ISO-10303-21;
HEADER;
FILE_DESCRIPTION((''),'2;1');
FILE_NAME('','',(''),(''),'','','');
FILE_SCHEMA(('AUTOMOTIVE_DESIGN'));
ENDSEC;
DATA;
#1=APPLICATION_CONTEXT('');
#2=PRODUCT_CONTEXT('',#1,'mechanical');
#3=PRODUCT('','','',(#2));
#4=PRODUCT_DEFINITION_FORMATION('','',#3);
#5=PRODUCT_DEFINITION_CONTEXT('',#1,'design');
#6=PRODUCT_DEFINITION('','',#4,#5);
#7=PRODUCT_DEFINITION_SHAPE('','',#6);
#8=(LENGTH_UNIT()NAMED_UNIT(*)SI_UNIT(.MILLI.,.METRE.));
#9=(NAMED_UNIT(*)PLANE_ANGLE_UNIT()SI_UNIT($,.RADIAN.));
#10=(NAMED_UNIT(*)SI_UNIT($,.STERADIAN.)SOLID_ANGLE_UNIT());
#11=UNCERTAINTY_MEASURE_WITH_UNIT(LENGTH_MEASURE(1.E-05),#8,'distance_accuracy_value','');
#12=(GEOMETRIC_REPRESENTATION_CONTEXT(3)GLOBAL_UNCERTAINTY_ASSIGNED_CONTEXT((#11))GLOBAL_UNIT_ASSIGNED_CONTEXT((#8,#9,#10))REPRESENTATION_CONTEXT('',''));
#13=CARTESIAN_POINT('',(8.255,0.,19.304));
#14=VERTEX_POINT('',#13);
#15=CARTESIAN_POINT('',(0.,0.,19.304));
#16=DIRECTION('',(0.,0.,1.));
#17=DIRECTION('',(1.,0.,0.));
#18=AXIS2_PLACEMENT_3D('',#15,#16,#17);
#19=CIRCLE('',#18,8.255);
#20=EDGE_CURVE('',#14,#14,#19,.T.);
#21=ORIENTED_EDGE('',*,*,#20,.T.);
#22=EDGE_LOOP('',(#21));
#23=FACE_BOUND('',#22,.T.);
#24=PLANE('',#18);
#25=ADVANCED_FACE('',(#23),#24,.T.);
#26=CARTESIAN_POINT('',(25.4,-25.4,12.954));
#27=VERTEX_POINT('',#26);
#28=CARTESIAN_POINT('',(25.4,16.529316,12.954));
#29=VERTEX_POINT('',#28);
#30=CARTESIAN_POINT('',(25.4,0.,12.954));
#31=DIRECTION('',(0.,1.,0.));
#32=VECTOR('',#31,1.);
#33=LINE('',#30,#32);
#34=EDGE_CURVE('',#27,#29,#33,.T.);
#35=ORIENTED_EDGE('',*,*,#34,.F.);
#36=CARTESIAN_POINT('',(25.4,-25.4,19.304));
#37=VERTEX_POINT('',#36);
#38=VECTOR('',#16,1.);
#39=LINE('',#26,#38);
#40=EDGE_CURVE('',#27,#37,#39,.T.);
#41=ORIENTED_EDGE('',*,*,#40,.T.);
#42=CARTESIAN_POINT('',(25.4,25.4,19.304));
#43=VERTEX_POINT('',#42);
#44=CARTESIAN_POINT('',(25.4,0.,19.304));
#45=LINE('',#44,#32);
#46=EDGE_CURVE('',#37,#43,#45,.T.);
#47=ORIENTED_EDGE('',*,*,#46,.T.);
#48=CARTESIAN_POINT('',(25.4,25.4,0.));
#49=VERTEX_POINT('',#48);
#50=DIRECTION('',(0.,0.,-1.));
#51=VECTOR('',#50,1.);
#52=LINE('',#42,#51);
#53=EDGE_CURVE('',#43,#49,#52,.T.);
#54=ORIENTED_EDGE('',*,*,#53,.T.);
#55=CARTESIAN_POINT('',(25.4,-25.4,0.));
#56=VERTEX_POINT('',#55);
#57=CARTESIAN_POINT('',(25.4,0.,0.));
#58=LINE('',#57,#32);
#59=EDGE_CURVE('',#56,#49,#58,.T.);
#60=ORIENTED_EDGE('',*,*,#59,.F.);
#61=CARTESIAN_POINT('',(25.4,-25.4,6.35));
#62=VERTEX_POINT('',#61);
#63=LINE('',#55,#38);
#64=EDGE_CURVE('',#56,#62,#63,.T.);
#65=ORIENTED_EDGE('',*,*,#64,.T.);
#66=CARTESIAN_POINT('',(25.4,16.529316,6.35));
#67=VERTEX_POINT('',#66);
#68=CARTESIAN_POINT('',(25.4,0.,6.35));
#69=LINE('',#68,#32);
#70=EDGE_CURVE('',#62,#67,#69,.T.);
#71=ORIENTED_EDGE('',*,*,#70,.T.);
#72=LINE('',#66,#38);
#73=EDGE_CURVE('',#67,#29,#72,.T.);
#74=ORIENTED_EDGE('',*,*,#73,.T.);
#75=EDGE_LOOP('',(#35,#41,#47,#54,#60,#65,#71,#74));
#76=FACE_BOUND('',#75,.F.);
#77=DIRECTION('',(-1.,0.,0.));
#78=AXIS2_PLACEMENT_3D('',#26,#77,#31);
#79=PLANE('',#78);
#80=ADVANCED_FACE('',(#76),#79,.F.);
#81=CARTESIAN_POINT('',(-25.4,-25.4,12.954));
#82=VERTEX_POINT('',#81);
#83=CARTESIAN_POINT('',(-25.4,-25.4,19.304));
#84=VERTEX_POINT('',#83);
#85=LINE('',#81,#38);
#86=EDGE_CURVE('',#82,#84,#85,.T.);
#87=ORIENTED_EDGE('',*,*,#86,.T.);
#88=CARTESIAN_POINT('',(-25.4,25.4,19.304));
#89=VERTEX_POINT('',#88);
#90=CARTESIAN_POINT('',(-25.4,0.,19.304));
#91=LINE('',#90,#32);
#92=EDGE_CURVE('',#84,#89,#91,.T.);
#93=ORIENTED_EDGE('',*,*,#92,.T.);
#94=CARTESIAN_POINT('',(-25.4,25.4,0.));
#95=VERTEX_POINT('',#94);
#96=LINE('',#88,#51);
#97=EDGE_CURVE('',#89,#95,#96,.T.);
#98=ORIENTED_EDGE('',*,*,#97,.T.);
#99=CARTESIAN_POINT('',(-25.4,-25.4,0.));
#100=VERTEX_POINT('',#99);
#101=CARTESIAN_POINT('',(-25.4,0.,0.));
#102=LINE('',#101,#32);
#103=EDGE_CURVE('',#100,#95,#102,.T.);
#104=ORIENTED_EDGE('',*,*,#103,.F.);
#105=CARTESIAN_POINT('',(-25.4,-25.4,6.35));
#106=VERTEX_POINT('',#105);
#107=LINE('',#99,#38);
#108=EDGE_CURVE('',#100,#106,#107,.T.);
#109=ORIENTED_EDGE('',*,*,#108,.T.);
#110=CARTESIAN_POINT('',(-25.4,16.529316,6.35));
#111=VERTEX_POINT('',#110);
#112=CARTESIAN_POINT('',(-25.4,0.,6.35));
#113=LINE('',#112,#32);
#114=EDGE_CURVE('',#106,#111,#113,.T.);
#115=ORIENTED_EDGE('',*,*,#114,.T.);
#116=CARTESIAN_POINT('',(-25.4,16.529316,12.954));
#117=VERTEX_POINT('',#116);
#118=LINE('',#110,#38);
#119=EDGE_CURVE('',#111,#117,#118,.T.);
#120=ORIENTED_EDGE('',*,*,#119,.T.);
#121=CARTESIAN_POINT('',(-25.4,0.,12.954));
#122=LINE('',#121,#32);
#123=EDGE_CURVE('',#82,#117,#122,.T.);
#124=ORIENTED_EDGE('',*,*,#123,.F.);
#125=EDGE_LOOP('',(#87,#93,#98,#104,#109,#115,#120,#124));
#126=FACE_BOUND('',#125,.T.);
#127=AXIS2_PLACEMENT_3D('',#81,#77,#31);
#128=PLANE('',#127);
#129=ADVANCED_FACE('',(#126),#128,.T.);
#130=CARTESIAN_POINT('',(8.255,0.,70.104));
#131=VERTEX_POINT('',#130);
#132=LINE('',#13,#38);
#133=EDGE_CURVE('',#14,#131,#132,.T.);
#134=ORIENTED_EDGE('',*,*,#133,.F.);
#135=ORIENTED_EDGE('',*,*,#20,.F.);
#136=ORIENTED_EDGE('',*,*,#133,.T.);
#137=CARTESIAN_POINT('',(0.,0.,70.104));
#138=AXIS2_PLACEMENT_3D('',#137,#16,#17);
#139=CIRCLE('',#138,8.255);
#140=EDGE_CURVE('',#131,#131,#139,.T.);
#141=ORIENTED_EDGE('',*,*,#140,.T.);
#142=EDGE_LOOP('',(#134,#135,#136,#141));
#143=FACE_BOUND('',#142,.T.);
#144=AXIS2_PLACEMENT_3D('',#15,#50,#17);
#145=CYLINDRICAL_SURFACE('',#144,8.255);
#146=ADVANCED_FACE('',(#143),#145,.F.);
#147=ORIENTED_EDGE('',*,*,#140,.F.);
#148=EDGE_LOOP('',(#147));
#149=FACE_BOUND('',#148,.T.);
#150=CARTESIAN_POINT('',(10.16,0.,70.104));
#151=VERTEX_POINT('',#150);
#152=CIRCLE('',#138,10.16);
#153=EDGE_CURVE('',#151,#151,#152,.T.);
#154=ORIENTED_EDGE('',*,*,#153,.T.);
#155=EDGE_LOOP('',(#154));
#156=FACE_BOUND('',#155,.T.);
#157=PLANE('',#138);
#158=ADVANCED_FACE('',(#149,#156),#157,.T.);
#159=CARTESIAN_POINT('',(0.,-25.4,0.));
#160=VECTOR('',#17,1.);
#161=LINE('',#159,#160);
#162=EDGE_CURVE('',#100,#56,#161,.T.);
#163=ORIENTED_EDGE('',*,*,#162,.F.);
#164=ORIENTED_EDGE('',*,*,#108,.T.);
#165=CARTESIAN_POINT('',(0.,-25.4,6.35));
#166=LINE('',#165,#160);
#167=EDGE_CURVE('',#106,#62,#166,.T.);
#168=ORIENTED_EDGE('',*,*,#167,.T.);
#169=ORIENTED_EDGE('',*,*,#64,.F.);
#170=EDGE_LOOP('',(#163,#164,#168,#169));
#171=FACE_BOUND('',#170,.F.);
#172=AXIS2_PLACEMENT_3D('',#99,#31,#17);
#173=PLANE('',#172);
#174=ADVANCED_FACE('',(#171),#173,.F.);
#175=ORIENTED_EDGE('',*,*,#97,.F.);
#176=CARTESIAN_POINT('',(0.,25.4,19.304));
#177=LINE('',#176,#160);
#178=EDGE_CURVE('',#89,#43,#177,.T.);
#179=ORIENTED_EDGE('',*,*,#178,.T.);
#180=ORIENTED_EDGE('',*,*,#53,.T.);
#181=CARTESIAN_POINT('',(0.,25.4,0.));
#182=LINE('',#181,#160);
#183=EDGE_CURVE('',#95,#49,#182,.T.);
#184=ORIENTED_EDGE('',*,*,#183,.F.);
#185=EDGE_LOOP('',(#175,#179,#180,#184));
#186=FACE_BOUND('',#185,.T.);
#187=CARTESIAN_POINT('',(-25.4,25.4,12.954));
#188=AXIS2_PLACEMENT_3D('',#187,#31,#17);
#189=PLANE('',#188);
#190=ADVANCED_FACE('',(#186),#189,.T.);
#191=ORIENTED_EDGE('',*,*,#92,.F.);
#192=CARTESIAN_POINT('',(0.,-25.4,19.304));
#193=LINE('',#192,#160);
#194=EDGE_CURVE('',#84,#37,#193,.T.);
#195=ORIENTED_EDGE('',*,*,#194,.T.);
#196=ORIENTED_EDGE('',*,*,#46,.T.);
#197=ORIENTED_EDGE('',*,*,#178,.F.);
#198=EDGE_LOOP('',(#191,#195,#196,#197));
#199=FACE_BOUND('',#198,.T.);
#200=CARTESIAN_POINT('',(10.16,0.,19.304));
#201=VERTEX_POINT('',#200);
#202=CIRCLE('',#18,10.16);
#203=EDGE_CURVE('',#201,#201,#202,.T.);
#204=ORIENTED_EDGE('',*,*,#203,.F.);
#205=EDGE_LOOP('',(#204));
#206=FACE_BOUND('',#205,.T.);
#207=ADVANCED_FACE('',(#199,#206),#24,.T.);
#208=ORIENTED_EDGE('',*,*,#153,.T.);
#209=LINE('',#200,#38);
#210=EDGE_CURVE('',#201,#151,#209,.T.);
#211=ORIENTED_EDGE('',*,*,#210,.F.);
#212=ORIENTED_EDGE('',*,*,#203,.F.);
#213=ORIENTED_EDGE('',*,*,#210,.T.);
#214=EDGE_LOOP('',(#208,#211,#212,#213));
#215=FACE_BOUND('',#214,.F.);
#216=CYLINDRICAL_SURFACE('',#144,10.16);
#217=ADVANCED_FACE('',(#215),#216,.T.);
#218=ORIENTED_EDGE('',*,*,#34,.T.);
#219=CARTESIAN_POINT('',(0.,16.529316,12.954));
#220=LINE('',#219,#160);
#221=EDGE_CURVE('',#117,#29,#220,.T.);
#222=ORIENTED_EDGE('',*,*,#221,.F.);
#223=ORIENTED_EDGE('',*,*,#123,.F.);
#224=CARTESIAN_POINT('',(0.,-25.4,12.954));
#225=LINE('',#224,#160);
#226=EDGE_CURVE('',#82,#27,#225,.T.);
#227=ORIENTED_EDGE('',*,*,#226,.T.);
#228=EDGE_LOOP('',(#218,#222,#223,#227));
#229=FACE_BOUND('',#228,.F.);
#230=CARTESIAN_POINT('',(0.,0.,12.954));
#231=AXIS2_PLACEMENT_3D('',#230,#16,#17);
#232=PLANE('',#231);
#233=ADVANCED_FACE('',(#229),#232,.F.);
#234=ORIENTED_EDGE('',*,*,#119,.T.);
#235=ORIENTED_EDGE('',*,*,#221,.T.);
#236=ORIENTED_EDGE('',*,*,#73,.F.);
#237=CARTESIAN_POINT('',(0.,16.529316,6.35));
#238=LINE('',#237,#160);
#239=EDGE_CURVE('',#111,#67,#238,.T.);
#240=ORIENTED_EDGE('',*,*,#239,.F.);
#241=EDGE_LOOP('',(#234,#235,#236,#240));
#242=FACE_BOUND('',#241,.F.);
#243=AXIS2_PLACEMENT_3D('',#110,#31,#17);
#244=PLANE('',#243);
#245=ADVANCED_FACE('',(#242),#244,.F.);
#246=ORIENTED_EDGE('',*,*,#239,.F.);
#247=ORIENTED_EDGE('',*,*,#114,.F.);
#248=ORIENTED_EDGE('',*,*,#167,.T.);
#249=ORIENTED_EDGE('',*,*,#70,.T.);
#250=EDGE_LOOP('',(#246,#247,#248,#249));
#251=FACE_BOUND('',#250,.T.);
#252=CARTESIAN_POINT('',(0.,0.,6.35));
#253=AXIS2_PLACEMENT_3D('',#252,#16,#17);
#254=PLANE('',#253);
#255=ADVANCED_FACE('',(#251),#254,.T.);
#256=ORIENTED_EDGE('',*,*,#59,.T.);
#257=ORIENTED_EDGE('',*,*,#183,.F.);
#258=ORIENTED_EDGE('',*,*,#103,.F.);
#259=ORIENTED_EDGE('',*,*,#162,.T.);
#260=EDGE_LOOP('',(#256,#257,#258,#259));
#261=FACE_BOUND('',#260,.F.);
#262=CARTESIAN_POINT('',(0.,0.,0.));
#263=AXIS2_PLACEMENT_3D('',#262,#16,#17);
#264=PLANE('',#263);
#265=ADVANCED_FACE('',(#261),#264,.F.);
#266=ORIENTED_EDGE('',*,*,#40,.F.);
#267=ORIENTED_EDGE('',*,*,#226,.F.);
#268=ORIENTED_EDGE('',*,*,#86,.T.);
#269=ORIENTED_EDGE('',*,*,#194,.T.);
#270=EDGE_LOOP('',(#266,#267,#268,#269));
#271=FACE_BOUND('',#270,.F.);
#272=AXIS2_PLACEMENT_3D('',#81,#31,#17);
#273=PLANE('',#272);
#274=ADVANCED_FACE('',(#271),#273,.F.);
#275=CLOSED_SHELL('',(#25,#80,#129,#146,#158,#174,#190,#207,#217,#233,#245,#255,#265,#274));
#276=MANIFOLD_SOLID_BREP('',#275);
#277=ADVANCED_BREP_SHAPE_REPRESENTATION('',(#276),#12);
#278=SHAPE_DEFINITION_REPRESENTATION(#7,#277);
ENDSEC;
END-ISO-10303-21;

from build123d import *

# Parameters (mm, degrees)
F0_W     = 50.8
F0_H     = 50.8
F1_DEPTH = 6.35
F2_W     = 50.8
F2_H     = 8.870684
F3_DEPTH = 6.604
F4_W     = 50.8
F4_H     = 50.8
F5_DEPTH = 6.35
F6_R     = 10.16
F6_R_2   = 8.255
F7_DEPTH = 50.8


with BuildPart() as f1:
    # F0 (on Top) → F1 (new body)
    with BuildSketch(Plane.XY):
        Rectangle(F0_W, F0_H)
    extrude(amount=F1_DEPTH)

    # F2 (on face) → F3 (join)
    with BuildSketch(Plane.XY.offset(6.35)):
        with Locations((0, 20.964658)):
            Rectangle(F2_W, F2_H)
    extrude(amount=F3_DEPTH)

    # F4 (on face) → F5 (join)
    with BuildSketch(Plane.XY.offset(12.954)):
        Rectangle(F4_W, F4_H)
    extrude(amount=F5_DEPTH)

    # F6 (on face) → F7 (join)
    with BuildSketch(Plane.XY.offset(19.304)):
        Circle(F6_R)
        Circle(F6_R_2, mode=Mode.SUBTRACT)
    extrude(amount=F7_DEPTH)


solid = f1.part
